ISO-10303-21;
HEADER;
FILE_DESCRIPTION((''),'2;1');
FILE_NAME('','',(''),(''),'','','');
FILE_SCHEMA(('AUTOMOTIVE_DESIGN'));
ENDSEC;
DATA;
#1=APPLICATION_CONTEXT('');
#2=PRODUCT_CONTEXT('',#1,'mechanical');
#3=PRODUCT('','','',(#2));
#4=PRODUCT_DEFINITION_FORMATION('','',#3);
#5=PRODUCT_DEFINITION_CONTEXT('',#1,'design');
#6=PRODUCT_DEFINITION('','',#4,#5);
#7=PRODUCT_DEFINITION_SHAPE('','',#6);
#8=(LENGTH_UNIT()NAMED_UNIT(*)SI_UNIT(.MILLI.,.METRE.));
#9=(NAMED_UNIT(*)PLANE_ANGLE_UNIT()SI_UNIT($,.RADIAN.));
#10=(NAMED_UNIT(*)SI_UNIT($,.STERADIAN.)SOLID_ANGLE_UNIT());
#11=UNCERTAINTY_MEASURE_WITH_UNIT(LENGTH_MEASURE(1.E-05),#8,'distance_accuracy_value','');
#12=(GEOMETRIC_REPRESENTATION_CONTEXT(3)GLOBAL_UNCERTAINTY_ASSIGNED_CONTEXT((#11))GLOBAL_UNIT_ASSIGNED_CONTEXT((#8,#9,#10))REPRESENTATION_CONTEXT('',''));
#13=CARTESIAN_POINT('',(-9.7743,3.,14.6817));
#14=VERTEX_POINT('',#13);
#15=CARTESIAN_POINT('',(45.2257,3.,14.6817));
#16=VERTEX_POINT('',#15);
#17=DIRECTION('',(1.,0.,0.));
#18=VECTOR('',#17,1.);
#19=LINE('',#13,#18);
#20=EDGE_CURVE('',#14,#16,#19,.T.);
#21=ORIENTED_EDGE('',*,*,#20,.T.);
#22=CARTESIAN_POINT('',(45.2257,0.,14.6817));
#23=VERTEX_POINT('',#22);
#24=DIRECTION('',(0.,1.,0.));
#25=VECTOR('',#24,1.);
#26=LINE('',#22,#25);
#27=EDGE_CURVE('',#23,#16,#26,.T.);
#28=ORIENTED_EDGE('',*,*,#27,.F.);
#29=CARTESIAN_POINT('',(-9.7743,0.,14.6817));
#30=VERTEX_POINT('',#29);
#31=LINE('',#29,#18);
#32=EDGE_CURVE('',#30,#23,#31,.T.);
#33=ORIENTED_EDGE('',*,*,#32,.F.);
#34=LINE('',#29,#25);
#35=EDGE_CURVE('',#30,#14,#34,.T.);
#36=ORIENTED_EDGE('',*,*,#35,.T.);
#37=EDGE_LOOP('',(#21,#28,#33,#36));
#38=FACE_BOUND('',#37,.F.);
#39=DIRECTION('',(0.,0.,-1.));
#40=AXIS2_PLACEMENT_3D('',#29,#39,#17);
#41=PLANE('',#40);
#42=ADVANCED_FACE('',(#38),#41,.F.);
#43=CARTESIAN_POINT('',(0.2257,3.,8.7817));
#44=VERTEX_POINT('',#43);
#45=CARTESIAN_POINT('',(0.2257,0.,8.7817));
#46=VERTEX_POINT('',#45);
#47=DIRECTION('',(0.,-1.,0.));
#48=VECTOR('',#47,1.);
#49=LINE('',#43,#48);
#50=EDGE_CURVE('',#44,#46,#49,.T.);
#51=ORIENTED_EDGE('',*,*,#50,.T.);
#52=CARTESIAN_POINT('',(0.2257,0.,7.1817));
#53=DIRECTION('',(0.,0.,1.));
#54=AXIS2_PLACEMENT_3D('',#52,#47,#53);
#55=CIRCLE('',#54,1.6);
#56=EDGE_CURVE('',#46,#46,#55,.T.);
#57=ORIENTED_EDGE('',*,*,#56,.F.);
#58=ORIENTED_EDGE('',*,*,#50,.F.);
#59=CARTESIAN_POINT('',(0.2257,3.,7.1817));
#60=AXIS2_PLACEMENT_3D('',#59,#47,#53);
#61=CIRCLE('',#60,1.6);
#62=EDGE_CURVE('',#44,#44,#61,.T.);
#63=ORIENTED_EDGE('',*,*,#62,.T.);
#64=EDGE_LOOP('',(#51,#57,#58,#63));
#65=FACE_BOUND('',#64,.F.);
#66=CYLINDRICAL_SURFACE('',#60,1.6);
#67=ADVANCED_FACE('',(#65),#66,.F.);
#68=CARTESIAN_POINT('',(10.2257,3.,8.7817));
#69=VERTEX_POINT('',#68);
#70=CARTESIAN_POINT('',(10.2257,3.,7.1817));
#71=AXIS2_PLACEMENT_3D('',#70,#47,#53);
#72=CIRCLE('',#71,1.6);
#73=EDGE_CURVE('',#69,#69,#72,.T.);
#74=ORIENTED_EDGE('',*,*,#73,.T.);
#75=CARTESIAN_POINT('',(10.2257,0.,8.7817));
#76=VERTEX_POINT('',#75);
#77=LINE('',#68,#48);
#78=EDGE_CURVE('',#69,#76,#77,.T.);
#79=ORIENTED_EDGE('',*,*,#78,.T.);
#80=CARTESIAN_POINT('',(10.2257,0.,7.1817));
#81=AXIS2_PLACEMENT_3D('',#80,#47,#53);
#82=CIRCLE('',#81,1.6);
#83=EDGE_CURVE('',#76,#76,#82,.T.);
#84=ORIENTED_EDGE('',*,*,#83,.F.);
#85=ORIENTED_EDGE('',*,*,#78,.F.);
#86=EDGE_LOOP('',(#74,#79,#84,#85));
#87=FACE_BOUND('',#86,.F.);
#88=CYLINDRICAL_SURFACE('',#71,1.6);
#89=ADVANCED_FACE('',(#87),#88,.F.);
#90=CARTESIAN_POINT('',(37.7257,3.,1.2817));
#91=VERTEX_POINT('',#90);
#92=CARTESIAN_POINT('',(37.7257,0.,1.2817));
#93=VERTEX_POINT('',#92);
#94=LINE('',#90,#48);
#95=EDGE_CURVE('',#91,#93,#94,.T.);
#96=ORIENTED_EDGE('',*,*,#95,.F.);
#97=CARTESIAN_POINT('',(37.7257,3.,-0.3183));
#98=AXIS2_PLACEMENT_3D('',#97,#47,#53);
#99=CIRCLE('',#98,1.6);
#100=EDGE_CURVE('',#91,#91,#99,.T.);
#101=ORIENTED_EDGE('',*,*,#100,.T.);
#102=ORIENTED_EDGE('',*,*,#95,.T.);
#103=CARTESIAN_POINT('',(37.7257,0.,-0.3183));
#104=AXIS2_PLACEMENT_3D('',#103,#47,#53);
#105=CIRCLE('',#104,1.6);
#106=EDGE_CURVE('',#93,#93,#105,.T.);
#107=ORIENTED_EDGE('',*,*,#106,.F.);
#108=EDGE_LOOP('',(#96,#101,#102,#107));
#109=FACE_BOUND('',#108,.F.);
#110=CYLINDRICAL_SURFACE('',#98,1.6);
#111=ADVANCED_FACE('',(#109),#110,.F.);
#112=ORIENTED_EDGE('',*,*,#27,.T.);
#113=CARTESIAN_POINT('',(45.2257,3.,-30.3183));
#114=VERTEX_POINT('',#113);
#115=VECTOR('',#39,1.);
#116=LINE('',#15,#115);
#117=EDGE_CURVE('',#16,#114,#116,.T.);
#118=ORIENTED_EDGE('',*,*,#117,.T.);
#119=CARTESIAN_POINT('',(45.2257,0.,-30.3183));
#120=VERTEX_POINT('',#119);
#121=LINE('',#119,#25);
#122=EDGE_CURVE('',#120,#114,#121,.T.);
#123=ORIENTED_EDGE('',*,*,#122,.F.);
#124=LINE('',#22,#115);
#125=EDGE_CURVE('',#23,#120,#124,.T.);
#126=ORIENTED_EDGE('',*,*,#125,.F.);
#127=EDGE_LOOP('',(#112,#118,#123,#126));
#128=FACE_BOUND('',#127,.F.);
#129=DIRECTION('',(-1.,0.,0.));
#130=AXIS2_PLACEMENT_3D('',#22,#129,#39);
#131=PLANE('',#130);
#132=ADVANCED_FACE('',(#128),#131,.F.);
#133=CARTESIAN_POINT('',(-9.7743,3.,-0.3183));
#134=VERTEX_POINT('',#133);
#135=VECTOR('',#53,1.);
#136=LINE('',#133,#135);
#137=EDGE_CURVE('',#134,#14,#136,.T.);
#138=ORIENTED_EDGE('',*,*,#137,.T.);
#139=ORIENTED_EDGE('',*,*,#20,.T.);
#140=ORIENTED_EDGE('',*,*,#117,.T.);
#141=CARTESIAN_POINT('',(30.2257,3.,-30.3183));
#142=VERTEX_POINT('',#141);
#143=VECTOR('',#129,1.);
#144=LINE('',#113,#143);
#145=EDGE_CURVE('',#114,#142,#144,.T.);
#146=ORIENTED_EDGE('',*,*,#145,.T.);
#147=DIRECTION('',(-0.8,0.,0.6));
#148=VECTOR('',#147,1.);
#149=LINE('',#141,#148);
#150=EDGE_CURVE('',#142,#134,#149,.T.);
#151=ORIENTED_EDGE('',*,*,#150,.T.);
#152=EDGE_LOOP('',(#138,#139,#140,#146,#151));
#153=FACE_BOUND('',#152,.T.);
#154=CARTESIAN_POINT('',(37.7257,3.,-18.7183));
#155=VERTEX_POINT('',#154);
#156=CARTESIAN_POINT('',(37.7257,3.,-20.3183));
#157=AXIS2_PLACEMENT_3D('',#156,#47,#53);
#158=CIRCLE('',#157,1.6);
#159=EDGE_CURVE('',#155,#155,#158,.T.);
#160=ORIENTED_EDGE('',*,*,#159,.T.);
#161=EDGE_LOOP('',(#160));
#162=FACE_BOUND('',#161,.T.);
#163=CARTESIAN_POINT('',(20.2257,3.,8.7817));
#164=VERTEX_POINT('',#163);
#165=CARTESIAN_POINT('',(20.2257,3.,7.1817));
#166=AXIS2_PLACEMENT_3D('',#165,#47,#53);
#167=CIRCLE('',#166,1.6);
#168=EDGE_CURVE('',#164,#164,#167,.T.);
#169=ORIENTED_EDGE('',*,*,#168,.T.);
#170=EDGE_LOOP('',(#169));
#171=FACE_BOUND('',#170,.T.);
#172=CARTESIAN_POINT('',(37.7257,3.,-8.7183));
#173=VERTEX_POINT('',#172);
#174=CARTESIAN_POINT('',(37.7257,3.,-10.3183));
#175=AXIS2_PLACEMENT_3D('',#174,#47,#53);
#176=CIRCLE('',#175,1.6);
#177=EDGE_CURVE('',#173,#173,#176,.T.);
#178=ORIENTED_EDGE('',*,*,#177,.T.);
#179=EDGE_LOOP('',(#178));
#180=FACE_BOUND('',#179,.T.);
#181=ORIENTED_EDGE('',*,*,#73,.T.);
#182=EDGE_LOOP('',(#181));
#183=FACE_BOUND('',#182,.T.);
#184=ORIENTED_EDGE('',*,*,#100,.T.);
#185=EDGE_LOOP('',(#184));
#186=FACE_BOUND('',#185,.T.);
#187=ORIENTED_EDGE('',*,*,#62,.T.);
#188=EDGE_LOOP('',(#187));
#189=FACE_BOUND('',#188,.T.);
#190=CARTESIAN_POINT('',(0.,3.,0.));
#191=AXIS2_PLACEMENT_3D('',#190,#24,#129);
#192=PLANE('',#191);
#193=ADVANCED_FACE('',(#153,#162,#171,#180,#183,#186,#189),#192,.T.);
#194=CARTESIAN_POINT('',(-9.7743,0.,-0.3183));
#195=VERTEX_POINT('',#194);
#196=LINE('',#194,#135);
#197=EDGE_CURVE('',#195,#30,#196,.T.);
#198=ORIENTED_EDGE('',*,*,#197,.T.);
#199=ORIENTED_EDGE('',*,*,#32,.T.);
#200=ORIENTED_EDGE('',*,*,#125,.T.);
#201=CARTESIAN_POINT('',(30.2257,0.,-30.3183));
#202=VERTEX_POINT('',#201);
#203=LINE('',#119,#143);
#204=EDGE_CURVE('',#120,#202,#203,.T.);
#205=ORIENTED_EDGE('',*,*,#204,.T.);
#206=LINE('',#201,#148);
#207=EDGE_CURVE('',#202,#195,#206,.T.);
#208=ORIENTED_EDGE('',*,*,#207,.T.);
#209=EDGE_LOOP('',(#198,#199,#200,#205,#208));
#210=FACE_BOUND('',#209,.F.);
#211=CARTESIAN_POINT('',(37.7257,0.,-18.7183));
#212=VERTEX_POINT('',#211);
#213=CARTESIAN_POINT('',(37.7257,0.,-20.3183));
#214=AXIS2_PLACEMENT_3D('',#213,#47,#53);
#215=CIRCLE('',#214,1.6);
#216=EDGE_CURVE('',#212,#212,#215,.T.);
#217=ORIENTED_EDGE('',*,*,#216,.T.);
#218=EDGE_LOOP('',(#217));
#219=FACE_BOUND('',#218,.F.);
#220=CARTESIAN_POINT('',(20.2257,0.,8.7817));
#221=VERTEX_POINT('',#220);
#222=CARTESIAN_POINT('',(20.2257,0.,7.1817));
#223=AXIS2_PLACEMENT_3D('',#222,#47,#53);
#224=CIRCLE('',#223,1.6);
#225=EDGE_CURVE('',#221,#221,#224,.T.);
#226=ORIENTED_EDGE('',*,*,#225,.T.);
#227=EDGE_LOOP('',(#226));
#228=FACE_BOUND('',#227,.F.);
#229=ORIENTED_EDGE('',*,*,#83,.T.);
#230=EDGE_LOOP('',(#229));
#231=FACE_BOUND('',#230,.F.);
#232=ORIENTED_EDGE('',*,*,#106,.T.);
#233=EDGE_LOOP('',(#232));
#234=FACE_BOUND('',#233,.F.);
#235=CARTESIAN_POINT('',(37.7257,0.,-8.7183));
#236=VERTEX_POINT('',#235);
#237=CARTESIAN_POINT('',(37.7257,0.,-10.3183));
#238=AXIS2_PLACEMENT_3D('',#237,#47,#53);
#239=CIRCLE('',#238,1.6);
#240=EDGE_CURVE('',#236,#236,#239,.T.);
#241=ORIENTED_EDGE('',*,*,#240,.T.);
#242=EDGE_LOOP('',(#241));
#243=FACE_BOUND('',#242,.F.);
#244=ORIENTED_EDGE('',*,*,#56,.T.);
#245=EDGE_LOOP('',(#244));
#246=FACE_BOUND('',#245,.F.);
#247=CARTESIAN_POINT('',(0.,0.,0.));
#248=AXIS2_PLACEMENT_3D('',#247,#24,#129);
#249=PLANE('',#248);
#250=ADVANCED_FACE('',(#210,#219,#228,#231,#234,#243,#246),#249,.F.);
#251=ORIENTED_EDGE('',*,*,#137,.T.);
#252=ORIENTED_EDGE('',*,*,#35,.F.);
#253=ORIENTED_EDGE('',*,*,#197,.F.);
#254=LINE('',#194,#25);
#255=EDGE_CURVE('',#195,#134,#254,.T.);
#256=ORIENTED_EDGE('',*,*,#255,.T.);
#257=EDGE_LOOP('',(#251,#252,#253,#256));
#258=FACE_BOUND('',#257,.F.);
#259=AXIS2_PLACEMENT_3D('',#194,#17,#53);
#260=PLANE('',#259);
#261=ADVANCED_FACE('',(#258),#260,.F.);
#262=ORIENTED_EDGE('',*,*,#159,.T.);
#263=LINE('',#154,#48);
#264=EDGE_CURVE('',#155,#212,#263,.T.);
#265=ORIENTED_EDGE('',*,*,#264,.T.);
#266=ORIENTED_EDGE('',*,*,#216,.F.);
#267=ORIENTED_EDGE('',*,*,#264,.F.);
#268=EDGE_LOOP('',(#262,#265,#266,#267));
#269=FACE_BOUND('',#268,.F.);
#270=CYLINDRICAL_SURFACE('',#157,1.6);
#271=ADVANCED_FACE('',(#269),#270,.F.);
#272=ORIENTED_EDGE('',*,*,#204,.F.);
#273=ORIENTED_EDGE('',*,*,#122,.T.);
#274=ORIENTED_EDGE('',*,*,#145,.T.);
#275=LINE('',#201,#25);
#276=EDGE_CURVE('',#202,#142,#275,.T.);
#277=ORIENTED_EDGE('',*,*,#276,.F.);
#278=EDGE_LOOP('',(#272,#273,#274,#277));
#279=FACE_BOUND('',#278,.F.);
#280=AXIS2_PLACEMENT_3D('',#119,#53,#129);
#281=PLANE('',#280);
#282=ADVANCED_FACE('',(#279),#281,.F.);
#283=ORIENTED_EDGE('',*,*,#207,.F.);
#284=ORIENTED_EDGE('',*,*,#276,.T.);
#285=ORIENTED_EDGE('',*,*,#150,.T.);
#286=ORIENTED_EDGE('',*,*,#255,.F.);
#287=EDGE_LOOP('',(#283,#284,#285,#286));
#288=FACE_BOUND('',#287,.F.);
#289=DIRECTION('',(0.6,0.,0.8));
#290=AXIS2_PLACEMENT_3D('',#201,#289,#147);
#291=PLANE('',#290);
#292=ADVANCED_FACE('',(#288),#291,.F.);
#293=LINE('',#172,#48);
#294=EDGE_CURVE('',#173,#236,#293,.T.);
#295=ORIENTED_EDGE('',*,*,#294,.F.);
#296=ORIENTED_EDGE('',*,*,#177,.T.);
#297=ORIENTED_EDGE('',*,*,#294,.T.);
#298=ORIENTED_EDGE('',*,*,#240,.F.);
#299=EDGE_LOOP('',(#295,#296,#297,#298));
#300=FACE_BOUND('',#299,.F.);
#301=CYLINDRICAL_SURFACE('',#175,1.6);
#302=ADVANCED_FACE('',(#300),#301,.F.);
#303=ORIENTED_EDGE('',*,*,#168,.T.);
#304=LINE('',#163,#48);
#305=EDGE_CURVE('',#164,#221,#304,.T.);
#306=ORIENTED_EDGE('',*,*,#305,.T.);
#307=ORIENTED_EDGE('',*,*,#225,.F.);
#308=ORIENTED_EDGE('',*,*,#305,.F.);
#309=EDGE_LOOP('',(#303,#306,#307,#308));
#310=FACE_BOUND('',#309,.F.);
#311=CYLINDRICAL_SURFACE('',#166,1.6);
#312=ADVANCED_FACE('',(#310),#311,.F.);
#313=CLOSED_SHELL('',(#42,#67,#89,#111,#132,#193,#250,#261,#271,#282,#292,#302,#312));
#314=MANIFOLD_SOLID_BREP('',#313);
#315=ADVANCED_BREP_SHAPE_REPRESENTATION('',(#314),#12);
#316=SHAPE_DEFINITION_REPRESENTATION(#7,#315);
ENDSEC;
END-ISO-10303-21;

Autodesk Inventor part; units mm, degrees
ref_plane "YZ Plane" through (0, 0, 0) normal (1, 0, 0) x (0, 1, 0)
ref_plane "XZ Plane" through (0, 0, 0) normal (0, 1, 0) x (-1, 0, 0)
ref_plane "XY Plane" through (0, 0, 0) normal (0, 0, 1) x (1, 0, 0)
sketch "スケッチ1" plane through (0, 0, 0) normal (0, 1, 0) x (-1, 0, 0)
  line L0 (9.7743, 14.6817) -> (-45.2257, 14.6817)
  line L1 (-45.2257, 14.6817) -> (-45.2257, -30.3183)
  line L2 (-45.2257, -30.3183) -> (-30.2257, -30.3183)
  line L3 (9.7743, -0.3183) -> (9.7743, 14.6817)
  line L4 (-30.2257, -30.3183) -> (9.7743, -0.3183)
  point P0 (0, 0)
  dimension "d1" = 45
  dimension "d2" = 15
  dimension "d3" = 15
  dimension "d4" = 55
extrude "押し出し1" add sketch "スケッチ1" along normal blind 3
sketch "スケッチ2" plane through (0, 3, 0) normal (0, 1, 0) x (1, 0, 0)
  circle A0 centre (0.2257, -7.1817) radius 1.6
  circle A1 centre (10.2257, -7.1817) radius 1.6
  circle A2 centre (20.2257, -7.1817) radius 1.6
  line L0 (45.2257, -14.6817) -> (45.2257, 30.3183) projected
  line L1 (-9.7743, -14.6817) -> (45.2257, -14.6817) projected
  circle A3 centre (37.7257, 0.3183) radius 1.6
  circle A4 centre (37.7257, 10.3183) radius 1.6
  circle A5 centre (37.7257, 20.3183) radius 1.6
  point P0 (0, 0)
  dimension "d7" = 3.2
  dimension "d8" = 3.2
  dimension "d9" = 3.2
  dimension "d10" = 25
  dimension "d11" = 45
  dimension "d12" = 35
  dimension "d13" = 7.5
  dimension "d14" = 7.5
  dimension "d15" = 7.5
  dimension "d16" = 3.2
  dimension "d17" = 7.5
  dimension "d18" = 15
  dimension "d19" = 3.2
  dimension "d20" = 10
  dimension "d21" = 3.2
  dimension "d22" = 10
hole "穴1" at (0.2257, 3, 7.1817) at (10.2257, 3, 7.1817) at (20.2257, 3, 7.1817) at (37.7257, 3, -0.3183) at (37.7257, 3, -10.3183) at (37.7257, 3, -20.3183) direction (0, -1, 0) diameter 3.2 depth 3
equation "\"BendRadius\" = Thickness"
equation "\"BendReliefWidth\" = Thickness"
equation "\"BendReliefDepth\" = 0.5 * Thickness"
equation "\"CornerReliefSize\" = 4 * Thickness"
equation "\"MinimumRemnant\" = 2 * Thickness"
equation "\"TransitionRadius\" = BendRadius"
equation "\"JacobiRadiusSize\" = BendRadius"
equation "\"GapSize\" = Thickness"
equation "\"Thickness\" = 0.5"
properties part number "nhk24" material "アルミニウム 6061"
